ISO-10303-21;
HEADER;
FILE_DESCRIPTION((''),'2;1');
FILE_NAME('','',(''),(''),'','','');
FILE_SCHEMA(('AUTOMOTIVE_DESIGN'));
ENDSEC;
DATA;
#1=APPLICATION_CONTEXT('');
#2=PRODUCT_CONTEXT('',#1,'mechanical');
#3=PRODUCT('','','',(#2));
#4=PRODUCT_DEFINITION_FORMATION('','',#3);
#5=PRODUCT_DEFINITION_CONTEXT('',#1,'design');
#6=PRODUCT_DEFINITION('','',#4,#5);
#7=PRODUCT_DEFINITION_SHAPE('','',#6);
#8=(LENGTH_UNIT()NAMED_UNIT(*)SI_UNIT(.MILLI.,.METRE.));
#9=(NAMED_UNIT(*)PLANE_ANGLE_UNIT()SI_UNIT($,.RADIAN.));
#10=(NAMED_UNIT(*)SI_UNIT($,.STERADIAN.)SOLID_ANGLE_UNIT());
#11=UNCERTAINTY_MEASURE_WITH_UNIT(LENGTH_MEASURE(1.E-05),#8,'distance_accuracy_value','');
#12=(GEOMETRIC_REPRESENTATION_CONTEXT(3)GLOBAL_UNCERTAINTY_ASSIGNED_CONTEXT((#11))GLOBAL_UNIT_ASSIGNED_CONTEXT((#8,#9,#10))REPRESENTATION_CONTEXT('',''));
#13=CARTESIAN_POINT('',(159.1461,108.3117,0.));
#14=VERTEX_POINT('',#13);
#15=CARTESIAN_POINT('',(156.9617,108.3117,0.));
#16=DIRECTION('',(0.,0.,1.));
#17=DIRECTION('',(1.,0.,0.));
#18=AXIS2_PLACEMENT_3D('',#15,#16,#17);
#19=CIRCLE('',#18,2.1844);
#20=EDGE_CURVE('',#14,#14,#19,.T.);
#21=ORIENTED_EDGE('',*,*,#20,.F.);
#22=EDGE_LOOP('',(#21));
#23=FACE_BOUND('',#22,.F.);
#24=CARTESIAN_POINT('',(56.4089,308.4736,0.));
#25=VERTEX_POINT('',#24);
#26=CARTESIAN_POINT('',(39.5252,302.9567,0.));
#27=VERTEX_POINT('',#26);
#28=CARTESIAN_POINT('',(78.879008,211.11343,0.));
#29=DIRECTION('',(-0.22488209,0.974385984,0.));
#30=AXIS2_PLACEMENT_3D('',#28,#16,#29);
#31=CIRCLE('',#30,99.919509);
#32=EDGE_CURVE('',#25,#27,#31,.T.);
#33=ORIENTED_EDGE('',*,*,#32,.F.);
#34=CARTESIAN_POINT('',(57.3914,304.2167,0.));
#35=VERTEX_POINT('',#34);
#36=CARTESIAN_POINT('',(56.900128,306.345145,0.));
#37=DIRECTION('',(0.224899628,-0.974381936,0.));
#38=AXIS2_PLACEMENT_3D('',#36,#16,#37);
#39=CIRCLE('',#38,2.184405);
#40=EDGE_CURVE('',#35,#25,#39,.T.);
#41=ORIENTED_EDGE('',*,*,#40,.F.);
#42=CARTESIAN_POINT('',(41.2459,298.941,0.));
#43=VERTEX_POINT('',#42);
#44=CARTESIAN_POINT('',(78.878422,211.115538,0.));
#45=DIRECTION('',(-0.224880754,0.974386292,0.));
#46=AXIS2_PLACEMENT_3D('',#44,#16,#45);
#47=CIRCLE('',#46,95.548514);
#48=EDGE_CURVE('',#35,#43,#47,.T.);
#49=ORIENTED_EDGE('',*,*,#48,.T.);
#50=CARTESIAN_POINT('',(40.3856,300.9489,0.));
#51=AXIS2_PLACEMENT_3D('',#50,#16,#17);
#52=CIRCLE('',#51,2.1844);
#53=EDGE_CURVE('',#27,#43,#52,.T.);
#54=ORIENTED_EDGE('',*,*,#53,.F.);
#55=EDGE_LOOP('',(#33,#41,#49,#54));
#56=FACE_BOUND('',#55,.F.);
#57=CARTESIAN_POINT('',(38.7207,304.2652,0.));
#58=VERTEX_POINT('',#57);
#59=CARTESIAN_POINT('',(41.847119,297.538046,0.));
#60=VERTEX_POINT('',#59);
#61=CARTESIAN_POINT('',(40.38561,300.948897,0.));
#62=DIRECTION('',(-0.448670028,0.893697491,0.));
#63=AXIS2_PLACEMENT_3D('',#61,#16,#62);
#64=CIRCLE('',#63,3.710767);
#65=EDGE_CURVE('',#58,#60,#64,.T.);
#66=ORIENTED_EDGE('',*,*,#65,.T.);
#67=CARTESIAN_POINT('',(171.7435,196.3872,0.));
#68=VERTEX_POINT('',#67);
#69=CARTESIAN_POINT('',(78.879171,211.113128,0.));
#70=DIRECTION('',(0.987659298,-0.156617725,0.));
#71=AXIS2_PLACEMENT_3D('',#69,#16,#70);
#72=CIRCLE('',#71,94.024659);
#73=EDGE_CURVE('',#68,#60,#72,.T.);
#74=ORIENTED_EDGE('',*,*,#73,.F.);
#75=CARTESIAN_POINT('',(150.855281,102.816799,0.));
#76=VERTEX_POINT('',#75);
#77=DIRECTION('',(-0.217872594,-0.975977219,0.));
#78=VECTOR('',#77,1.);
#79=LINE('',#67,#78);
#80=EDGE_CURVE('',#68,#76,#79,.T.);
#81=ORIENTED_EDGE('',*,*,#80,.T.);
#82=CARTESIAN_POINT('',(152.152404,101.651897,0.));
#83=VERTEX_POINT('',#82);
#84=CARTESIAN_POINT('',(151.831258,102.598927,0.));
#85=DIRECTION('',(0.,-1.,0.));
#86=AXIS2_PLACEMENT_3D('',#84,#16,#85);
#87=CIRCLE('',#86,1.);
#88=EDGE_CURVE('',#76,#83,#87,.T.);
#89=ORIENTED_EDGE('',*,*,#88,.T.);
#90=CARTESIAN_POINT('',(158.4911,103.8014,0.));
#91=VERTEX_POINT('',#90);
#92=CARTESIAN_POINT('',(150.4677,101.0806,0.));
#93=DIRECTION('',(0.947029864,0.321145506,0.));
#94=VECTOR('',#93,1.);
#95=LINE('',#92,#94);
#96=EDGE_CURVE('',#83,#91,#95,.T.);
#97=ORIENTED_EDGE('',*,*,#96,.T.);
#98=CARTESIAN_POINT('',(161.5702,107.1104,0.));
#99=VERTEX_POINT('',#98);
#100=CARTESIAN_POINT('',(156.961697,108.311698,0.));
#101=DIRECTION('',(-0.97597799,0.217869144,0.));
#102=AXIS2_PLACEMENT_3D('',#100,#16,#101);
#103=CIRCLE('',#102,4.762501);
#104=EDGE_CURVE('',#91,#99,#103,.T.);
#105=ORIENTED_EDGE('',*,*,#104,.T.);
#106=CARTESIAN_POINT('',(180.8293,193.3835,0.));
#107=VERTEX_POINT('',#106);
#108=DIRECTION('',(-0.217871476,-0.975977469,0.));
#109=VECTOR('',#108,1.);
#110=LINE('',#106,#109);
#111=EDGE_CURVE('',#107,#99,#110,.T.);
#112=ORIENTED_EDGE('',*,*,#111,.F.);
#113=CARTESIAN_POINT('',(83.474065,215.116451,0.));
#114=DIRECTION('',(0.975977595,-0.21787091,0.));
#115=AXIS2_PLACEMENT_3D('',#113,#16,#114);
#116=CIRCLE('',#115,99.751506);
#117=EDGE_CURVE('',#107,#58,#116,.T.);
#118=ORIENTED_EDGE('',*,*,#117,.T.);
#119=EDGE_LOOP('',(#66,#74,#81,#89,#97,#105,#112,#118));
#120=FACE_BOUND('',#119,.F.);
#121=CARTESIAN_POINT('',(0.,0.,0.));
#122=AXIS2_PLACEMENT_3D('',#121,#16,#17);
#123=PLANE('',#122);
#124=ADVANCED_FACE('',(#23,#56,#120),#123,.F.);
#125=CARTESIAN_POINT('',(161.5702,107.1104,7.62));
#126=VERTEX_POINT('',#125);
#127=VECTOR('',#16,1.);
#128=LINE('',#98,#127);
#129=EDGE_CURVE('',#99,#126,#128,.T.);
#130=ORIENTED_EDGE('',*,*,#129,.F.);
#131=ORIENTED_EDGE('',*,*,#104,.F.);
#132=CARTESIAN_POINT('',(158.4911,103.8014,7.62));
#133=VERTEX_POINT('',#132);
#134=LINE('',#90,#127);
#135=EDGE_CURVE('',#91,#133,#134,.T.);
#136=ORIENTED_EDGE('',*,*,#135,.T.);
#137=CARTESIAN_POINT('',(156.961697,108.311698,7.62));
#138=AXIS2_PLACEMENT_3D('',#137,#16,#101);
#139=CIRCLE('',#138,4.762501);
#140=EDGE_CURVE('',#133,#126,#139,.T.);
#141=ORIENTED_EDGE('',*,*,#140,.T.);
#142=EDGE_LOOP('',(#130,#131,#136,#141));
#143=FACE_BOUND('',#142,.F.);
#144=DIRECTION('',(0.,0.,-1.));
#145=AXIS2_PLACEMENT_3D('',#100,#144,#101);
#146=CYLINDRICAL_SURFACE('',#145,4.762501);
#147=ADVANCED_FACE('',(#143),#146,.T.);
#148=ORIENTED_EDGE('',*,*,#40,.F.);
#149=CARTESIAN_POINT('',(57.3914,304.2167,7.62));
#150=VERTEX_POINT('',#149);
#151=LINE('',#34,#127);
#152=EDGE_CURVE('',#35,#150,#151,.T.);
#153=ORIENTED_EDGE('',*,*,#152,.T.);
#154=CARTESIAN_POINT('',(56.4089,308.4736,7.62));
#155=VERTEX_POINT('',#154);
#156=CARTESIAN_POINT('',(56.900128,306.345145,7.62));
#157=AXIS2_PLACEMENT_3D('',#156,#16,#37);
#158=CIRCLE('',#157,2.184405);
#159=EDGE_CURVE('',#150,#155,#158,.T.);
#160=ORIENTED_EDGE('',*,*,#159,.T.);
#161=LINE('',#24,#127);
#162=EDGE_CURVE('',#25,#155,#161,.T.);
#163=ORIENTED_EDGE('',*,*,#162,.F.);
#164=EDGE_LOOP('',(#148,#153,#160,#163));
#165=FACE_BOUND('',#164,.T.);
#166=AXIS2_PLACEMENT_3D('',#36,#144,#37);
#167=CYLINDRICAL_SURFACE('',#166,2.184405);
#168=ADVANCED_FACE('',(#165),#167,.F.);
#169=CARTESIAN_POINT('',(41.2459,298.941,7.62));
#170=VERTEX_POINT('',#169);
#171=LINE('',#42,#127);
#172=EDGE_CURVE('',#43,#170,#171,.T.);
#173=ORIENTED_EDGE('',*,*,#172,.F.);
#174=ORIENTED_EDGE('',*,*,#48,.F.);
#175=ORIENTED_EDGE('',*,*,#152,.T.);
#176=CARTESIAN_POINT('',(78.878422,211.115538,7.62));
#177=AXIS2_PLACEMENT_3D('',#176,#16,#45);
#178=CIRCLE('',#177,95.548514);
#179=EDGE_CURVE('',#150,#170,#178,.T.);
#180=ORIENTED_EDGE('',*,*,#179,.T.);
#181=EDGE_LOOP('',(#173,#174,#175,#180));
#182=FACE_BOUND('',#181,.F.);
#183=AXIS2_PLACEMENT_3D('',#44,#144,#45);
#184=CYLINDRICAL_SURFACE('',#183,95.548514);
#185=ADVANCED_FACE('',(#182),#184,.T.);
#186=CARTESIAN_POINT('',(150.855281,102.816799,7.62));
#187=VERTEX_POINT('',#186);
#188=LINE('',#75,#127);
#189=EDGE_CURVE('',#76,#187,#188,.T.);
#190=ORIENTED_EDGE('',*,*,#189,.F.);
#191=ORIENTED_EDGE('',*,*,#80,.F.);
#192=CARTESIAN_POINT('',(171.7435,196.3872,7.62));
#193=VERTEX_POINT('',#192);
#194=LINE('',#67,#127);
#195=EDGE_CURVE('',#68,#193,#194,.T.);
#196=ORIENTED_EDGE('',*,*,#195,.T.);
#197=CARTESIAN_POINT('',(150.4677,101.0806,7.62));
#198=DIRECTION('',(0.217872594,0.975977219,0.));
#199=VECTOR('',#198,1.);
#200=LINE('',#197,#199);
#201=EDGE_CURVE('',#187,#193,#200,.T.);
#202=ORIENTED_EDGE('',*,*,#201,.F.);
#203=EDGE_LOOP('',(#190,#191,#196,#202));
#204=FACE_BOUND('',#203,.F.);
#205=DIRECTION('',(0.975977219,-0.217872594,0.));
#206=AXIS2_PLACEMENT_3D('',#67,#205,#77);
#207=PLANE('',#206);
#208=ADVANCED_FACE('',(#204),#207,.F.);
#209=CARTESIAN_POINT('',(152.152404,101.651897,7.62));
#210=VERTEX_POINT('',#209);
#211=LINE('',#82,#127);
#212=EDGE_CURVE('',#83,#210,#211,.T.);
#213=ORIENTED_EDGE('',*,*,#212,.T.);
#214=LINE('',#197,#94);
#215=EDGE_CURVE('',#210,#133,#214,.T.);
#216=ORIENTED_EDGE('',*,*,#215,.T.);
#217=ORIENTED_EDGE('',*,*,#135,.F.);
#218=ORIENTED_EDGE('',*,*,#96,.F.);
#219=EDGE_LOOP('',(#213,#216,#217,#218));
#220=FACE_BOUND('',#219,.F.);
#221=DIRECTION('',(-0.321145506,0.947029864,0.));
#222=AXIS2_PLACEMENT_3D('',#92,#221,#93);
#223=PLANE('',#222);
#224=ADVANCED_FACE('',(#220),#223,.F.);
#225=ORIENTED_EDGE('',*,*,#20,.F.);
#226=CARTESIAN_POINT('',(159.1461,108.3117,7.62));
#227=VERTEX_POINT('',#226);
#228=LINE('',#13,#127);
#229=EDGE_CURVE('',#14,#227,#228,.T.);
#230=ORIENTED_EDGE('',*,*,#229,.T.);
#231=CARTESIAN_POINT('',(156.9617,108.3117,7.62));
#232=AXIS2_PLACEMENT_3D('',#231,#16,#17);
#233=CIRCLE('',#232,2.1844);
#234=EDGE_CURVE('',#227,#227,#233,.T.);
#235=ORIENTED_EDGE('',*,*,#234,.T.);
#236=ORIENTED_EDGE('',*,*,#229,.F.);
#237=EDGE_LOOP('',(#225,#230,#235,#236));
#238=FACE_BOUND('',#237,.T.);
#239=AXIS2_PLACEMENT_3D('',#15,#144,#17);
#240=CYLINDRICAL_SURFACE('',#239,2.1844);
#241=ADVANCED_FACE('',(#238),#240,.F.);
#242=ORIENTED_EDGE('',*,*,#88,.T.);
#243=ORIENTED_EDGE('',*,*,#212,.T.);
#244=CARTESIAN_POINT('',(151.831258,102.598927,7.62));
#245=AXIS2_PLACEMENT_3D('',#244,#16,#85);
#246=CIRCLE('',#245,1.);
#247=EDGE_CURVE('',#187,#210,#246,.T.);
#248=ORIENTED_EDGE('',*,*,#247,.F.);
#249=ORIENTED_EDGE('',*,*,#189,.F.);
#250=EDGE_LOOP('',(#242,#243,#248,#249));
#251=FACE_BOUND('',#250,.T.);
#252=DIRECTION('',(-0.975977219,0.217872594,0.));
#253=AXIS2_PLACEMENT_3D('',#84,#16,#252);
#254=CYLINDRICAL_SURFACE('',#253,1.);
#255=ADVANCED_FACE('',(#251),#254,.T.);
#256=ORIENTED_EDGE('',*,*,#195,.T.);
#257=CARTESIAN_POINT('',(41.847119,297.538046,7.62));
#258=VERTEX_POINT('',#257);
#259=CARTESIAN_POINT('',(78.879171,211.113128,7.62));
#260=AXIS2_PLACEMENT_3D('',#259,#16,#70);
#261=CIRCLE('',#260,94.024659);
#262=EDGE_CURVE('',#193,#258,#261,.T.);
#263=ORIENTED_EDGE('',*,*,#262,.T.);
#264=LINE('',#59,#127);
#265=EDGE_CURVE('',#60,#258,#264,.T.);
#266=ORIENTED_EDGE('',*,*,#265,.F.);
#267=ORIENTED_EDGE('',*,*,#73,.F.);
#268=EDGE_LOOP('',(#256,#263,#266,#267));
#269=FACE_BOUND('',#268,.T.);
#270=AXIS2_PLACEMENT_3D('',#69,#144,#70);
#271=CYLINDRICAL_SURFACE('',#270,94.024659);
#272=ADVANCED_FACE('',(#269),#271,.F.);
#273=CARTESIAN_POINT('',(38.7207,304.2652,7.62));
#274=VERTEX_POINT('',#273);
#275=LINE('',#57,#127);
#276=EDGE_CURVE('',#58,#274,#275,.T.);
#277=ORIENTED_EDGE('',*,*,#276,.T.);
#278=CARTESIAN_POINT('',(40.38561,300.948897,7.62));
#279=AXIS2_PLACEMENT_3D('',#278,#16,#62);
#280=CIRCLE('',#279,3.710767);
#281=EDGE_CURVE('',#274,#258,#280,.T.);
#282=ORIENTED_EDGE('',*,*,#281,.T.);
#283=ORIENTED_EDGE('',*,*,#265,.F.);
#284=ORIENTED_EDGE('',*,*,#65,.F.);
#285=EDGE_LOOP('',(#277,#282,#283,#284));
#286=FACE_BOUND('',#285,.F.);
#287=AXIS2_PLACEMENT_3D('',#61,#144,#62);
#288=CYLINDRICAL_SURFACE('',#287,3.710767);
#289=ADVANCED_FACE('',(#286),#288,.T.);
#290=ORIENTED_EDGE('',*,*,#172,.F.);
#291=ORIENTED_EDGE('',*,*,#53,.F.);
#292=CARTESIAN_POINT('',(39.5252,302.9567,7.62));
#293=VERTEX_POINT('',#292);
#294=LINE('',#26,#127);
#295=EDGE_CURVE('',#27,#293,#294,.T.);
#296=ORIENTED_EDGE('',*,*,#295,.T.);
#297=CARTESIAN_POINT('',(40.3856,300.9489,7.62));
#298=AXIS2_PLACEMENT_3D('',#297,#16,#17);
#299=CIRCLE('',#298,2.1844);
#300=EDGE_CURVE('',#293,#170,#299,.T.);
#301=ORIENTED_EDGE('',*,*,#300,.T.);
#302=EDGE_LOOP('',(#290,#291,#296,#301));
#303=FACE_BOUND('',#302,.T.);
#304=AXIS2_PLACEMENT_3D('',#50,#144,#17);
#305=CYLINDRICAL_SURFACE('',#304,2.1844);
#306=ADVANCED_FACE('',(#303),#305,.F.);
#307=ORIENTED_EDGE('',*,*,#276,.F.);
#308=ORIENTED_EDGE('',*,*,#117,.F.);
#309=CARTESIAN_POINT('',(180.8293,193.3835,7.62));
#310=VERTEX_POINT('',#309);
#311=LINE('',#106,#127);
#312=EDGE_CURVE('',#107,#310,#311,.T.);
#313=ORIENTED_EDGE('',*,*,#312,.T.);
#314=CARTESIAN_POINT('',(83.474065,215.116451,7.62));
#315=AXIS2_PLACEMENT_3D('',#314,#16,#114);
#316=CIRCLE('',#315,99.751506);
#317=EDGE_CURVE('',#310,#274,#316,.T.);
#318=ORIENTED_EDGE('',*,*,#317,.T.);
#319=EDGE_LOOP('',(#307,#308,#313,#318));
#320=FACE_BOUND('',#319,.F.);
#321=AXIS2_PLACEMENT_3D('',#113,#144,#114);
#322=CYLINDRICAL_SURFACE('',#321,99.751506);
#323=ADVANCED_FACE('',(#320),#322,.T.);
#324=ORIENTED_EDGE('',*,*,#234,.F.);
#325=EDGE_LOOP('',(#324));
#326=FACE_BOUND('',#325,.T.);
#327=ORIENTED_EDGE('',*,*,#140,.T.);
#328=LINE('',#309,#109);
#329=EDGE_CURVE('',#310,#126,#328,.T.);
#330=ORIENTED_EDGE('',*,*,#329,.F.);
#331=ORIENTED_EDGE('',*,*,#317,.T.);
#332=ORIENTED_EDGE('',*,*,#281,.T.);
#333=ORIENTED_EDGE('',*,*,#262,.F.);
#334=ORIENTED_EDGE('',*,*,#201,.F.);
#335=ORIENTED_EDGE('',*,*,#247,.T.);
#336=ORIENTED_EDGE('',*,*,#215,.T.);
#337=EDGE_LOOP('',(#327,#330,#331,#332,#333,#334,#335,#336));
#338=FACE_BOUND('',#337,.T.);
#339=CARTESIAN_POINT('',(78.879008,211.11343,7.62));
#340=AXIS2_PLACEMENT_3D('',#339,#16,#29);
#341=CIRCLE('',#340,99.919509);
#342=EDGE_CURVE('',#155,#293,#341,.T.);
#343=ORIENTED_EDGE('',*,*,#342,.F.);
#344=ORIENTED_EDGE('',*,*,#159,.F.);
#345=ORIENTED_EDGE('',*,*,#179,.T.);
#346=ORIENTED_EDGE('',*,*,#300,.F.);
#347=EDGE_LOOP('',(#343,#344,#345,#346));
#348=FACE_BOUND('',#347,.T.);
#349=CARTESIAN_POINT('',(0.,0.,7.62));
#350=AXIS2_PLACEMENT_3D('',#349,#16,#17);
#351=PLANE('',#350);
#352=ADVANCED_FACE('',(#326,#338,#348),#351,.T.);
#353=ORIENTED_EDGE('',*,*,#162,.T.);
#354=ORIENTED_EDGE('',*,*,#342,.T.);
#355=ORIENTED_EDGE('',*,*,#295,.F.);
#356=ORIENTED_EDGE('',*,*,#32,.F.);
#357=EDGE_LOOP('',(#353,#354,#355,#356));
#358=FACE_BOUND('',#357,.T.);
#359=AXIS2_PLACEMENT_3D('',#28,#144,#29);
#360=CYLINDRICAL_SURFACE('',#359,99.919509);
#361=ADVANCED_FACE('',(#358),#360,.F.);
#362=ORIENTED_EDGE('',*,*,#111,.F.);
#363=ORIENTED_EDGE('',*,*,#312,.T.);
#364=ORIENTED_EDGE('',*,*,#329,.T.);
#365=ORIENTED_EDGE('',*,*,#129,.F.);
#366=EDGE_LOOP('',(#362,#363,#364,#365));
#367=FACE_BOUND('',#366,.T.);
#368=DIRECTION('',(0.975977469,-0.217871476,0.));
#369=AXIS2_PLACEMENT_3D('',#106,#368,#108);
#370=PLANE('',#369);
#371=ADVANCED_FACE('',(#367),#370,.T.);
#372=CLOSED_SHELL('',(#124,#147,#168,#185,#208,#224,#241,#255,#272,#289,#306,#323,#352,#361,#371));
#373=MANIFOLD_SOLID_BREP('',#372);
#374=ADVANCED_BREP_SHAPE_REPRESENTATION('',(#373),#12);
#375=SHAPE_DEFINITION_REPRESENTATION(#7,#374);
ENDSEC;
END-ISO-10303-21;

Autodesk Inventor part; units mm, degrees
ref_plane "YZ Plane" through (0, 0, 0) normal (1, 0, 0) x (0, 1, 0)
ref_plane "XZ Plane" through (0, 0, 0) normal (0, 1, 0) x (-1, 0, 0)
ref_plane "XY Plane" through (0, 0, 0) normal (0, 0, 1) x (1, 0, 0)
sketch "Sketch1" plane through (0, 0, 0) normal (0, 0, 1) x (1, 0, 0)
  circle A0 centre (156.9617, 108.3117) radius 2.1844
  line L0 (171.7435, 196.3872) -> (150.4677, 101.0806)
  arc A1 (171.7435, 196.3872) -> (41.593, 297.4287) centre (78.8791, 211.1131) ccw
  arc A2 (152.3136, 109.3493) -> (161.5702, 107.1104) centre (156.9617, 108.3117) ccw
  line L1 (150.4677, 101.0806) -> (158.4911, 103.8014)
  line L2 (180.8293, 193.3835) -> (161.5702, 107.1104)
  circle A3 centre (40.3856, 300.9489) radius 2.1844 projected
  arc A4 (180.8293, 193.3835) -> (38.7207, 304.2652) centre (83.4742, 215.1165) ccw
  arc A5 (56.9002, 306.3451) -> (27.9409, 294.5249) centre (78.8791, 211.1131) ccw construction
  arc A6 (56.4089, 308.4736) -> (39.5252, 302.9567) centre (78.8791, 211.1131) ccw
  arc A7 (57.3914, 304.2167) -> (41.2459, 298.941) centre (78.8791, 211.1131) ccw
  arc A8 (57.3914, 304.2167) -> (56.4089, 308.4736) centre (56.9002, 306.3451) ccw
  arc A9 (39.5252, 302.9567) -> (41.2459, 298.941) centre (40.3856, 300.9489) ccw
  line L3 (83.4742, 215.1165) -> (56.9002, 306.3451) construction
  arc A10 (41.5411, 297.4113) -> (41.593, 297.4287) centre (40.3856, 300.9489) ccw
  line L4 (40.3856, 300.9489) -> (84.3253, 219.1399) construction
  arc A11 (38.7207, 304.2652) -> (42.1414, 297.6798) centre (40.3856, 300.9489) ccw
  line L5 (171.7435, 196.3872) -> (180.8293, 193.3835) construction
  point P0 (0, 0)
  point P1 (165.3829, 124.1896)
  point P2 (27.4473, 296.7796)
  point P3 (41.1972, 299.4378)
  point P4 (41.8471, 297.538)
  point P5 (41.2459, 298.941)
  point P6 (39.5252, 302.9567)
  dimension "d0" = 9.525
  dimension "d1" = 0
  dimension "d7" = 12
extrude "Extrusion1" add sketch "Sketch1" along normal blind 7.62
fillet "Fillet1" radius 1 1 edges at (150.4677, 101.0806, 3.81)
properties part number "front rails" material "Acetal Resin, Black"
